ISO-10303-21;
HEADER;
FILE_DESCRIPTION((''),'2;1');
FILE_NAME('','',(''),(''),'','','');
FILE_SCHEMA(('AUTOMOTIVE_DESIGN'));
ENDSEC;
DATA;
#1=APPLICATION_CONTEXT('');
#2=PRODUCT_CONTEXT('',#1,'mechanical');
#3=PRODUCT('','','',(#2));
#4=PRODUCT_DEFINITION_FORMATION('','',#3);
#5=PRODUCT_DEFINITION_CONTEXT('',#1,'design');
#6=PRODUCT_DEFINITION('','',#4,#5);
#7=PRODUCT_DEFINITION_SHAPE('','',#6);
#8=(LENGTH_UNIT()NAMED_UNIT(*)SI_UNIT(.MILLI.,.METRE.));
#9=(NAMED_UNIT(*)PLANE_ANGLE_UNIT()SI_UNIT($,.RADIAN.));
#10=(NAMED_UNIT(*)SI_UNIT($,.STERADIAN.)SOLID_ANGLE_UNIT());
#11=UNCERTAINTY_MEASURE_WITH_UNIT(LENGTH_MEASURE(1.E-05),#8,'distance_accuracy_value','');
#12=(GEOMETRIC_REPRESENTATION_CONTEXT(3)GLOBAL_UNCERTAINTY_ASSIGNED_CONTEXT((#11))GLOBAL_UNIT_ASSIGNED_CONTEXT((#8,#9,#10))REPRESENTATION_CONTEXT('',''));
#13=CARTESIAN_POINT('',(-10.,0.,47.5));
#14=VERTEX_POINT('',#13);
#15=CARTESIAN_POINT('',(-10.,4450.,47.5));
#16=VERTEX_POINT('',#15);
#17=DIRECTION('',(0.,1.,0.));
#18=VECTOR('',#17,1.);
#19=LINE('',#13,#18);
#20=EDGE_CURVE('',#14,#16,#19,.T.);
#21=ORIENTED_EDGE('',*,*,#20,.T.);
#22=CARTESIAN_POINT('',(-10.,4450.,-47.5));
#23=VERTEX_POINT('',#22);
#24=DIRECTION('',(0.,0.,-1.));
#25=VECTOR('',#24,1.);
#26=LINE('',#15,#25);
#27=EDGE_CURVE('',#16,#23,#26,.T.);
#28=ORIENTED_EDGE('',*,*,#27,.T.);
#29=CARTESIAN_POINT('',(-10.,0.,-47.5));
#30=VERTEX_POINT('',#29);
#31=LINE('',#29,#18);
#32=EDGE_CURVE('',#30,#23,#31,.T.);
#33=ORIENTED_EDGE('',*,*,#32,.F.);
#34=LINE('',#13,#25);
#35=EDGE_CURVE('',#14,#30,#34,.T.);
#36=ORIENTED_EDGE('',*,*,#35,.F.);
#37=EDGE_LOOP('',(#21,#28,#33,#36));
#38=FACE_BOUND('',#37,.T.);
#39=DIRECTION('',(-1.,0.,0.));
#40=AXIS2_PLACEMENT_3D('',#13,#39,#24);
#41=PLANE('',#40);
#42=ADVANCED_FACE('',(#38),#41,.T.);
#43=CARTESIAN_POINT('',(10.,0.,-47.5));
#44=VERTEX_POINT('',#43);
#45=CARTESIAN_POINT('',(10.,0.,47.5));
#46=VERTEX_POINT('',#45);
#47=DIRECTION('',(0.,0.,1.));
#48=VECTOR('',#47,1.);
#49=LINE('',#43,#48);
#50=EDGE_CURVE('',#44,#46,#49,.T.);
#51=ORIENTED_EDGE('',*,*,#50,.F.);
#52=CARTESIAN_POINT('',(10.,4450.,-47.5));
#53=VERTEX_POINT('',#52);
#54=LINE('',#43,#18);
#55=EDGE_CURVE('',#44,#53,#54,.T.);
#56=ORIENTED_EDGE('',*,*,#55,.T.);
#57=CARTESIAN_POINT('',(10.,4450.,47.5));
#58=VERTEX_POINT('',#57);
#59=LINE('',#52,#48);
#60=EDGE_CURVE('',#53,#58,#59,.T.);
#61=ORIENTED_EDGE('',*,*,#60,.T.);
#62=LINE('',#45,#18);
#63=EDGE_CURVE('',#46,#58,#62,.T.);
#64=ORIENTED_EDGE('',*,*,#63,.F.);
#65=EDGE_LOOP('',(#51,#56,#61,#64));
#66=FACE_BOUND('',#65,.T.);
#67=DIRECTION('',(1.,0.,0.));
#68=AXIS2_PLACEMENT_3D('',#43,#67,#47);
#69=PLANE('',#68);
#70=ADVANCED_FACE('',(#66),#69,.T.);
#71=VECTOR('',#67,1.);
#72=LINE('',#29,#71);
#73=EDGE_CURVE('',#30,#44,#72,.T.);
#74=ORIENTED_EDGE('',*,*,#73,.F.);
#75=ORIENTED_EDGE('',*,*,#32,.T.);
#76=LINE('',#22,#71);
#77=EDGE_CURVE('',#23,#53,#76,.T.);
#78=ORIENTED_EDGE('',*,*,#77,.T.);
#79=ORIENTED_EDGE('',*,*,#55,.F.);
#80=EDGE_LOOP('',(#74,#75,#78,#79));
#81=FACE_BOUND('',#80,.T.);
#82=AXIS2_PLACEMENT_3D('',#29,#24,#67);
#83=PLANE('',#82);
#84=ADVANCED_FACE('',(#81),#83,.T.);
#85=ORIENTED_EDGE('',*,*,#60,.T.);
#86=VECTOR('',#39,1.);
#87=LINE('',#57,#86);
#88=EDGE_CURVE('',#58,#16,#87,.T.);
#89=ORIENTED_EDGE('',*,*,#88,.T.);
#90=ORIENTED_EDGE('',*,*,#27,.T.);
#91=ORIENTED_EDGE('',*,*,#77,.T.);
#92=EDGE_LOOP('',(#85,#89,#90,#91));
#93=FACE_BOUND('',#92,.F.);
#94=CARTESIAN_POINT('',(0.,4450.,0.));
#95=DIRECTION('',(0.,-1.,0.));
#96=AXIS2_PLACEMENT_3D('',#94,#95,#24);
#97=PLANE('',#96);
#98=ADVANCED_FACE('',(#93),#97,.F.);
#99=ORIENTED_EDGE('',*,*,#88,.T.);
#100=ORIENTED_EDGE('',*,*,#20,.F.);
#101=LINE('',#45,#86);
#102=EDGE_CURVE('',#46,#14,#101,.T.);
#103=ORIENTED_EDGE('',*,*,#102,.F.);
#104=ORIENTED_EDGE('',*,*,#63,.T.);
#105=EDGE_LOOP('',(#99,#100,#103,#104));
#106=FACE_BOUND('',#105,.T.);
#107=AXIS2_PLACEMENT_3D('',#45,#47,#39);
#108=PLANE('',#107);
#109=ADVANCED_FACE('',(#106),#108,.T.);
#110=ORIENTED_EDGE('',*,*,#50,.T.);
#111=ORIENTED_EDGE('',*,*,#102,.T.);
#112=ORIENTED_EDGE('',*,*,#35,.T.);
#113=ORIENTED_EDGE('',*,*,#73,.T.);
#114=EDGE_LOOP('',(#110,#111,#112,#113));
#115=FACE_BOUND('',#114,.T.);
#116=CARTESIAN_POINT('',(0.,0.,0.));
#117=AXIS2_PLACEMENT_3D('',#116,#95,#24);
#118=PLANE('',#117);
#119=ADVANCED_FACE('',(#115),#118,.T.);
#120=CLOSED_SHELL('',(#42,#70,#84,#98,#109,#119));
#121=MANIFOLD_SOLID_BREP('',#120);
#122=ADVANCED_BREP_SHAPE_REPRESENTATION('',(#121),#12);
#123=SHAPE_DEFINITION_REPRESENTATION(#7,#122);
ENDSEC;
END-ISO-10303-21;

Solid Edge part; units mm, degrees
sketch "Sketch1" plane through (0, 0, 0) normal (0, -1, 0) x (1, 0, 0)
  line L0 (-10, -47.5) -> (10, -47.5)
  line L1 (10, -47.5) -> (10, 47.5)
  line L2 (10, 47.5) -> (-10, 47.5)
  line L3 (-10, 47.5) -> (-10, -47.5)
extrude "Protrusion1" add sketch "Sketch1" against normal blind 4450
properties material "Wood, Pine"
